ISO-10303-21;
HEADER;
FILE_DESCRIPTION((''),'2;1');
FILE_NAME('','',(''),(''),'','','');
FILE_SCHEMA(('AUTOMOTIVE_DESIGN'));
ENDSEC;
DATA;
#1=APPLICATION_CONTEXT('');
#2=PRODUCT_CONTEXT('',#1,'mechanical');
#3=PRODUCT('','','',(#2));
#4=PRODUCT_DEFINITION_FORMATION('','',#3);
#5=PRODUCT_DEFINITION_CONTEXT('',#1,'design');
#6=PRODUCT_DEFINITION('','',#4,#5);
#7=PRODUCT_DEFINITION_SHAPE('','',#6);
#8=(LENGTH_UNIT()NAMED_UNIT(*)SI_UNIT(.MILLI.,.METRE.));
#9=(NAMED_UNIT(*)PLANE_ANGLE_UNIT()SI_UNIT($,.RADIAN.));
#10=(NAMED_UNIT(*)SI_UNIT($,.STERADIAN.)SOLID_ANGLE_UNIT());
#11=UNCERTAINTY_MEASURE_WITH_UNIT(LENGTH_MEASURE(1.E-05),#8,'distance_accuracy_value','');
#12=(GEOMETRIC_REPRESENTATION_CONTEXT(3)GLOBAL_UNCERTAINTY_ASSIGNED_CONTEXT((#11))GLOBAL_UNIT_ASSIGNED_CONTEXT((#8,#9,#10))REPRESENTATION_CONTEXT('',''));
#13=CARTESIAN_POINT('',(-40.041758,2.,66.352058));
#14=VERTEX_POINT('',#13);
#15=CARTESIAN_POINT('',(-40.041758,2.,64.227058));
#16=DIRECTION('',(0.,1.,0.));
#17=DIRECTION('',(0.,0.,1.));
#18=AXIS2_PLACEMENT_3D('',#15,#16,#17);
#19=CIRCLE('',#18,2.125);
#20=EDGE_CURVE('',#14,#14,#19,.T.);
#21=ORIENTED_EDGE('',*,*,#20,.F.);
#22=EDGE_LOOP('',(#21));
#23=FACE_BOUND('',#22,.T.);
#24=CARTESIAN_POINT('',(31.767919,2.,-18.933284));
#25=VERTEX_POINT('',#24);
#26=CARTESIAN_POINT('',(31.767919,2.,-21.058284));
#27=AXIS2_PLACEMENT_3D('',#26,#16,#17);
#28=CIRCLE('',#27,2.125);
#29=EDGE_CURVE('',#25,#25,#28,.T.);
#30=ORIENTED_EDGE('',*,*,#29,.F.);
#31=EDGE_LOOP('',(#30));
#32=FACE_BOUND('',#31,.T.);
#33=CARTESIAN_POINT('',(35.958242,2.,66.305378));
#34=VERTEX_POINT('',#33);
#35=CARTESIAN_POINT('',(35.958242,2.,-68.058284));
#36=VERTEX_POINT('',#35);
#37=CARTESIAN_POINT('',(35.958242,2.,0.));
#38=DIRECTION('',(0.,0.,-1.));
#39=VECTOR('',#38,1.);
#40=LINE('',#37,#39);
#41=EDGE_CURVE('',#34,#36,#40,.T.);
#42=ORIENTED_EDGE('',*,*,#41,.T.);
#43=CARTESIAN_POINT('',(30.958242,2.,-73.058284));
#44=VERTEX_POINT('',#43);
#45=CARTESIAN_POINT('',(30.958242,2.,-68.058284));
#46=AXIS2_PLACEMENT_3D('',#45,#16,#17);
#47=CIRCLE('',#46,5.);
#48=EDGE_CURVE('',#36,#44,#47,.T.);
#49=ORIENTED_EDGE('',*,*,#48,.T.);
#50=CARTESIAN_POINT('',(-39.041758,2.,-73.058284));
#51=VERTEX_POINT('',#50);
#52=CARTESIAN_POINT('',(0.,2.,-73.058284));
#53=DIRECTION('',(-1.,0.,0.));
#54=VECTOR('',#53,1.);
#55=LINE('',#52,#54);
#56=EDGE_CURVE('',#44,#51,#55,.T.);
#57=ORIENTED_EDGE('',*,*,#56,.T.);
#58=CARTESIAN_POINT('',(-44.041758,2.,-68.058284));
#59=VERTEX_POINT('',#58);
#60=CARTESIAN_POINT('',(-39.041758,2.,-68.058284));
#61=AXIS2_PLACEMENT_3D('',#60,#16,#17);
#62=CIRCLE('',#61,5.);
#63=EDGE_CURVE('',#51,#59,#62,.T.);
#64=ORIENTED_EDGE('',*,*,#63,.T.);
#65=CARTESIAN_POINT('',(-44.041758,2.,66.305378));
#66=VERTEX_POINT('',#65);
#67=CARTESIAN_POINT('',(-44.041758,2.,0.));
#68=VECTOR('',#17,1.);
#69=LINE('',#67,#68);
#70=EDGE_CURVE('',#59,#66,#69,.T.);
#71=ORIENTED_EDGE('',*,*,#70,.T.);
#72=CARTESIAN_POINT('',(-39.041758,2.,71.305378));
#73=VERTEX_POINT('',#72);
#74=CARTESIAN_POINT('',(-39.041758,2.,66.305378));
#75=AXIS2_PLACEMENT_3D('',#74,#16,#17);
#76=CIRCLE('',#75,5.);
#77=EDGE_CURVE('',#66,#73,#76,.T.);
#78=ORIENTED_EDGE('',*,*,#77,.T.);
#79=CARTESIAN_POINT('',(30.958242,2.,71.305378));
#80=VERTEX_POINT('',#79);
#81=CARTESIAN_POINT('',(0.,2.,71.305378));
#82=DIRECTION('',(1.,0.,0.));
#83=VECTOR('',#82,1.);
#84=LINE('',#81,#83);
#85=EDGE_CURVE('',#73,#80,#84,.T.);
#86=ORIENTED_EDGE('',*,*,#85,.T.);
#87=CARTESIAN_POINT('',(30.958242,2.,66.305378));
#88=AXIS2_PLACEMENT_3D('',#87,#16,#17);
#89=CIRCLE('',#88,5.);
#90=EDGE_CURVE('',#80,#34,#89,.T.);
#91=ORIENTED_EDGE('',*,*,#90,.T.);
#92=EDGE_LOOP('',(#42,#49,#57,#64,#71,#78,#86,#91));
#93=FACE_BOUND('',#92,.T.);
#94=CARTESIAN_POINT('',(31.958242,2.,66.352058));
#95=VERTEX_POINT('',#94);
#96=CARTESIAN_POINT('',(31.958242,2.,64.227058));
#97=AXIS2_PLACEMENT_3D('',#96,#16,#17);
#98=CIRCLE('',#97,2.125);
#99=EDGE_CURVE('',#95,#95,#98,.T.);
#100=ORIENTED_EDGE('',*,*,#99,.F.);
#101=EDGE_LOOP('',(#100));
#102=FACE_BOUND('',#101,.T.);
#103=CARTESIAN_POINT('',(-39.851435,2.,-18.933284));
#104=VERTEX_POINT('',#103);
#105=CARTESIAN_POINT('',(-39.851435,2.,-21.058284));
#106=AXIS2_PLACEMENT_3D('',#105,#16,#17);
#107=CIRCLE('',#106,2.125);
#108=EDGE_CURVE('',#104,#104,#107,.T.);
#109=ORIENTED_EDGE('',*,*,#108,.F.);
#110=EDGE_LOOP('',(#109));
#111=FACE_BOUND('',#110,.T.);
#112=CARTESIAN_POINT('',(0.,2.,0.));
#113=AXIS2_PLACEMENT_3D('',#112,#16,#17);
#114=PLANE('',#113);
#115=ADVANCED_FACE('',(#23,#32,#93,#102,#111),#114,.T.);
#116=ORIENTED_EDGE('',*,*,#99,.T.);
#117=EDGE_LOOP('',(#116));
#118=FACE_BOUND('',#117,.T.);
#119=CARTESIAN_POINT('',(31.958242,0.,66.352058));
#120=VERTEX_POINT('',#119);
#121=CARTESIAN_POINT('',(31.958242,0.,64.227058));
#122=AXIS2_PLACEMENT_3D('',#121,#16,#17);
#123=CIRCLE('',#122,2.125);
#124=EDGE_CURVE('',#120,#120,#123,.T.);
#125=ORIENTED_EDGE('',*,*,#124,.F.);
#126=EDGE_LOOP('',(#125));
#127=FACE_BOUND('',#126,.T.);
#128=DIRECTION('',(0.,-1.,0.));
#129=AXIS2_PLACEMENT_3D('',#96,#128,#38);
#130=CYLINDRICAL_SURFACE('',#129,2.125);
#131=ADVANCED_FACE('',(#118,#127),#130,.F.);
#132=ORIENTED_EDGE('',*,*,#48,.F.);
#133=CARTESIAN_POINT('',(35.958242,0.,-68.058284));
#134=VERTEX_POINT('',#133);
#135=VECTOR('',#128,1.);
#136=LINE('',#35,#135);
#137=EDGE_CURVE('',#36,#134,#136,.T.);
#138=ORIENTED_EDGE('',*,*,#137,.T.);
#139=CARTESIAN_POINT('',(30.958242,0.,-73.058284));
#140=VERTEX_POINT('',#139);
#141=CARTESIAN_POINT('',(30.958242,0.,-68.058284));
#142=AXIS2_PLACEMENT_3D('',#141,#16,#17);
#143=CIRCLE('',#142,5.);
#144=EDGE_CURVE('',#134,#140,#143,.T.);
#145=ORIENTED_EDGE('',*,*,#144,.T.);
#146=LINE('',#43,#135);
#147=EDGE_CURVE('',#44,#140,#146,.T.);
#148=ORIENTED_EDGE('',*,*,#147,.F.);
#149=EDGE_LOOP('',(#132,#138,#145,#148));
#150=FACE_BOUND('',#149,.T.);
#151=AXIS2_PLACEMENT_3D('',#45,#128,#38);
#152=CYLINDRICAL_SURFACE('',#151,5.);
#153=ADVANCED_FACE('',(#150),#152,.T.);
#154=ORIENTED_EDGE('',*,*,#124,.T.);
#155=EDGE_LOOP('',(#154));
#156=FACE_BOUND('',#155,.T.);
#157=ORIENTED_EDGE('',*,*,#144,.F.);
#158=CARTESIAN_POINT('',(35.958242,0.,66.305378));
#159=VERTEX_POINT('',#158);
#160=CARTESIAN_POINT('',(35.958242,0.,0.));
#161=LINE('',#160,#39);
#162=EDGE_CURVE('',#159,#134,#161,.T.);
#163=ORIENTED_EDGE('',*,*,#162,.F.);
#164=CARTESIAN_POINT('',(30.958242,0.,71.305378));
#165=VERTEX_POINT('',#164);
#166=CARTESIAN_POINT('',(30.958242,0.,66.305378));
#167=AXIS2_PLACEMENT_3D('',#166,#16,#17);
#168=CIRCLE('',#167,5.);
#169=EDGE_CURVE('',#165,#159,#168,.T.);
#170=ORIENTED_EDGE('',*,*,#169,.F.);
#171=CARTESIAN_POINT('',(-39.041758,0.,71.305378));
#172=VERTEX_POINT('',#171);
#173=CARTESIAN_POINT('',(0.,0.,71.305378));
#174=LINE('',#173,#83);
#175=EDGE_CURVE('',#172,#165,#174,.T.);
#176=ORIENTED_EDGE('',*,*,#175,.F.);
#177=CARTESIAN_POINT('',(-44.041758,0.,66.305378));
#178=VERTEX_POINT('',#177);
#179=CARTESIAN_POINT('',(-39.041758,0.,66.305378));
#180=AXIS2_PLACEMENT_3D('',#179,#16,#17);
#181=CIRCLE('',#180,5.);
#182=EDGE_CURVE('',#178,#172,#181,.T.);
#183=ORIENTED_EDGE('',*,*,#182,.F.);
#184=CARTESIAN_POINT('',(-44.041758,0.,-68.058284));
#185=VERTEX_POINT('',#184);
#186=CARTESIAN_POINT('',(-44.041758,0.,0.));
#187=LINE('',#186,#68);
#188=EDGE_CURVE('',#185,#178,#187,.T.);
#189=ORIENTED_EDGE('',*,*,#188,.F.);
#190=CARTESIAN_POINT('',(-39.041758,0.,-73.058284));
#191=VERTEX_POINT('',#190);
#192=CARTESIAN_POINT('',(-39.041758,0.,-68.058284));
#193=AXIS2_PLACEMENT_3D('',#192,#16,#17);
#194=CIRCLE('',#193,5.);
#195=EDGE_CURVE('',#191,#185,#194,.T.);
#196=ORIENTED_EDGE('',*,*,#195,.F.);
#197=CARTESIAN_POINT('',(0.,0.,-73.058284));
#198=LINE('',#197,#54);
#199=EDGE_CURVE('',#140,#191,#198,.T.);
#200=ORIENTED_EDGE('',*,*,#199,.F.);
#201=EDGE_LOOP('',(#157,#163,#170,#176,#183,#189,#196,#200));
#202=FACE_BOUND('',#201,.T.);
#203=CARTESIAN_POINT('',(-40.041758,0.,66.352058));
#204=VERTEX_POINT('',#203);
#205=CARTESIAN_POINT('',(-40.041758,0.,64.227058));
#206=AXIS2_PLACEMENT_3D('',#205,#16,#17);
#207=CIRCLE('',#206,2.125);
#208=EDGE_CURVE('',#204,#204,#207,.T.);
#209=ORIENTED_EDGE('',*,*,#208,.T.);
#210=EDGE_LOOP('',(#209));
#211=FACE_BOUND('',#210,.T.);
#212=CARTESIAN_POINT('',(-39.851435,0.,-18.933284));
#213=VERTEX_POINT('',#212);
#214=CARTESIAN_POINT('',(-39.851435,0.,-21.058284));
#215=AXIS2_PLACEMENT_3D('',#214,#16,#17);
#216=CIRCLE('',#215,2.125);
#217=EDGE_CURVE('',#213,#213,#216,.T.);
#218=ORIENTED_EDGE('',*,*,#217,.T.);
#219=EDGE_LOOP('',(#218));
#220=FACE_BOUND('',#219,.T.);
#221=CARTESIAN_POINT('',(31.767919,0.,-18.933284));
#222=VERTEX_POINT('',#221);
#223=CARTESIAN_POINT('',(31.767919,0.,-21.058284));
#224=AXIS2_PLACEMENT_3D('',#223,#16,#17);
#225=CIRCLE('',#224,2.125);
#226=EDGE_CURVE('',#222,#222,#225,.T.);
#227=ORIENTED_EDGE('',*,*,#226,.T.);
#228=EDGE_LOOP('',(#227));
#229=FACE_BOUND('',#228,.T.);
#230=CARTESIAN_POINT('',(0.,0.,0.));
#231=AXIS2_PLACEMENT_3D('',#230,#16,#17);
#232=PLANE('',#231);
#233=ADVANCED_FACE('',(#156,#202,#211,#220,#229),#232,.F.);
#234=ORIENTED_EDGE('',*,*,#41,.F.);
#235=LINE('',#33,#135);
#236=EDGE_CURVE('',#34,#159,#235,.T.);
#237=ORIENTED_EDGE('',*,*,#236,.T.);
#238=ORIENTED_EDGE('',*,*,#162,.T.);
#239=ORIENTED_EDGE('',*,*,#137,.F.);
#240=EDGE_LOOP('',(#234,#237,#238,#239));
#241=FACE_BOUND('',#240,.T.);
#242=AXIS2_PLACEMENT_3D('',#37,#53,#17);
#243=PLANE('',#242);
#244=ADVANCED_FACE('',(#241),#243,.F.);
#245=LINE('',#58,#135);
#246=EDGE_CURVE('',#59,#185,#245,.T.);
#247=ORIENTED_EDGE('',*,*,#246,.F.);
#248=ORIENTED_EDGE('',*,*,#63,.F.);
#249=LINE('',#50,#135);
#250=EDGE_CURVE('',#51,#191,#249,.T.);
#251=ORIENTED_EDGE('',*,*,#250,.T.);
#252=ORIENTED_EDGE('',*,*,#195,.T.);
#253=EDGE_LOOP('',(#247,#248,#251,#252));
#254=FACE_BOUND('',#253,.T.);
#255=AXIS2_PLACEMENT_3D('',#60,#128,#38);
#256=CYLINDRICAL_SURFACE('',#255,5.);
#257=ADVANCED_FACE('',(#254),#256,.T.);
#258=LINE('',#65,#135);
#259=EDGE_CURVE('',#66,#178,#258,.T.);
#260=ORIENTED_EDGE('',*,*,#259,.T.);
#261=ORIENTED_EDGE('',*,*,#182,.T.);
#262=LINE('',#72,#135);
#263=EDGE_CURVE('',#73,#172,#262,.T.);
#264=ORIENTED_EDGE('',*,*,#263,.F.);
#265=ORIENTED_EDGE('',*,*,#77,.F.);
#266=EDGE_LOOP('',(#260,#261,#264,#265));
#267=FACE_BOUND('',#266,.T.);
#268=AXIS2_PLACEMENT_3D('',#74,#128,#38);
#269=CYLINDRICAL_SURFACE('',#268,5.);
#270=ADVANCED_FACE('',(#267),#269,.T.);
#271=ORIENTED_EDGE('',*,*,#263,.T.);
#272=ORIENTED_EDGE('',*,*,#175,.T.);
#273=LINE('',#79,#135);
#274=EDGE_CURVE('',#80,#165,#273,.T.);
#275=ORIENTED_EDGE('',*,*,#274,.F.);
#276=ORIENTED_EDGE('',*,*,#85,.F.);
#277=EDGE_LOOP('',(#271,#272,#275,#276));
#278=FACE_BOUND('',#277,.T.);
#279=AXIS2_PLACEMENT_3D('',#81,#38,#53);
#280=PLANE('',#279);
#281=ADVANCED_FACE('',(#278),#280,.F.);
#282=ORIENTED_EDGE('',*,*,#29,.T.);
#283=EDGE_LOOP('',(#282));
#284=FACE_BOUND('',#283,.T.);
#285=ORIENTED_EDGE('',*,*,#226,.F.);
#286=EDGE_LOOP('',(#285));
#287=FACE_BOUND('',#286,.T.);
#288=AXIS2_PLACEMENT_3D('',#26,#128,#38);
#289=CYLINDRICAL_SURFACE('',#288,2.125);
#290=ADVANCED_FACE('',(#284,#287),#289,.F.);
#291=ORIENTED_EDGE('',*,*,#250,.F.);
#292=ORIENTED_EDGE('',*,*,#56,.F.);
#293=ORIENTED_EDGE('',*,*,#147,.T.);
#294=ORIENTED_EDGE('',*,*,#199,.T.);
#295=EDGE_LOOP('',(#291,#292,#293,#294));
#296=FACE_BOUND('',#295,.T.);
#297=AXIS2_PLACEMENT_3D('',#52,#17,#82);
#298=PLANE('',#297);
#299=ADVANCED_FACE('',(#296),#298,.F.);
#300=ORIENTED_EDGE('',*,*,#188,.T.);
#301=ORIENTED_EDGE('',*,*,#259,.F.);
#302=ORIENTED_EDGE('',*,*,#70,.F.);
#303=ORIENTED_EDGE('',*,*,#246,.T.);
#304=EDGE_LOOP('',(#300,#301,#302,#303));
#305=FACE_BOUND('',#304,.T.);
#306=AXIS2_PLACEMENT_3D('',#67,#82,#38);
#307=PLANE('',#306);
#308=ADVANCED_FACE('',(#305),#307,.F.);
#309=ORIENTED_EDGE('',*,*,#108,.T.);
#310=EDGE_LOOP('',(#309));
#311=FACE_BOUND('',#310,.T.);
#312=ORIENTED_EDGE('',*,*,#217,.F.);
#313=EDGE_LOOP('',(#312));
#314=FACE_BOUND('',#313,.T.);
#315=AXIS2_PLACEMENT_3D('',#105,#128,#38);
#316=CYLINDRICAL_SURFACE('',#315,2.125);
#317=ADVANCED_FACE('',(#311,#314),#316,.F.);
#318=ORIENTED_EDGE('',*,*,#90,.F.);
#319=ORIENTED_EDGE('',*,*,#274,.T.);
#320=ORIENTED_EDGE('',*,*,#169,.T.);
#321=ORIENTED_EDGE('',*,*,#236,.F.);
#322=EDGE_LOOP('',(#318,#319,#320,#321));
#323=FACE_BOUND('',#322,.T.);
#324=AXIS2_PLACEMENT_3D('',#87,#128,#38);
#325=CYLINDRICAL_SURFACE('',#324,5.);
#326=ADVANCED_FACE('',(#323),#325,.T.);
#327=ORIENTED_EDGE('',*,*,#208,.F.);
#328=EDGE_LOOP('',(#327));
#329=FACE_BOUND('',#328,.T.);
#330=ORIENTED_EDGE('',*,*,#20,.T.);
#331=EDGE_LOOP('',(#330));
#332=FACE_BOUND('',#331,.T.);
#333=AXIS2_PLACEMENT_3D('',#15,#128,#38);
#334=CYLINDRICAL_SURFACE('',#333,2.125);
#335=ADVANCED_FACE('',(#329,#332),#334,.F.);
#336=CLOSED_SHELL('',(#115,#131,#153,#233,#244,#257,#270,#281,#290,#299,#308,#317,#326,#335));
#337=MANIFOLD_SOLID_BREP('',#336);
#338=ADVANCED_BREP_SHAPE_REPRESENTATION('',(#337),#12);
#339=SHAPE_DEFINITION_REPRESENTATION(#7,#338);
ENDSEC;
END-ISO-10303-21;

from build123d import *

# Parameters (mm, degrees)
SKETCH1_R           = 2.125
BOSS_EXTRUDE1_DEPTH = 2


with BuildPart() as part:
    # Sketch1 → Boss-Extrude1 (new body)
    with BuildSketch(Plane(origin=(0, 0, 0), x_dir=(-1, 0, 0), z_dir=(0, 1, 0))):
        with BuildLine():
            Line((44.041758229, -68.058283539), (44.041758229, 66.305377739))
            ThreePointArc((44.041758229, 66.305377739), (42.577292135, 69.840911645), (39.041758229, 71.305377739))
            Line((39.041758229, 71.305377739), (-30.958241771, 71.305377739))
            ThreePointArc((-30.958241771, 71.305377739), (-34.493775676, 69.840911645), (-35.958241771, 66.305377739))
            Line((-35.958241771, 66.305377739), (-35.958241771, -68.058283539))
            ThreePointArc((-35.958241771, -68.058283539), (-34.493775676, -71.593817445), (-30.958241771, -73.058283539))
            Line((-30.958241771, -73.058283539), (39.041758229, -73.058283539))
            ThreePointArc((39.041758229, -73.058283539), (42.577292135, -71.593817445), (44.041758229, -68.058283539))
        make_face()
        with Locations((-31.767919032, -21.058283539)):
            Circle(SKETCH1_R, mode=Mode.SUBTRACT)
        with Locations((39.851435491, -21.058283539)):
            Circle(SKETCH1_R, mode=Mode.SUBTRACT)
        with Locations((40.041758229, 64.22705795)):
            Circle(SKETCH1_R, mode=Mode.SUBTRACT)
        with Locations((-31.958241771, 64.22705795)):
            Circle(SKETCH1_R, mode=Mode.SUBTRACT)
    extrude(amount=BOSS_EXTRUDE1_DEPTH)


solid = part.part
